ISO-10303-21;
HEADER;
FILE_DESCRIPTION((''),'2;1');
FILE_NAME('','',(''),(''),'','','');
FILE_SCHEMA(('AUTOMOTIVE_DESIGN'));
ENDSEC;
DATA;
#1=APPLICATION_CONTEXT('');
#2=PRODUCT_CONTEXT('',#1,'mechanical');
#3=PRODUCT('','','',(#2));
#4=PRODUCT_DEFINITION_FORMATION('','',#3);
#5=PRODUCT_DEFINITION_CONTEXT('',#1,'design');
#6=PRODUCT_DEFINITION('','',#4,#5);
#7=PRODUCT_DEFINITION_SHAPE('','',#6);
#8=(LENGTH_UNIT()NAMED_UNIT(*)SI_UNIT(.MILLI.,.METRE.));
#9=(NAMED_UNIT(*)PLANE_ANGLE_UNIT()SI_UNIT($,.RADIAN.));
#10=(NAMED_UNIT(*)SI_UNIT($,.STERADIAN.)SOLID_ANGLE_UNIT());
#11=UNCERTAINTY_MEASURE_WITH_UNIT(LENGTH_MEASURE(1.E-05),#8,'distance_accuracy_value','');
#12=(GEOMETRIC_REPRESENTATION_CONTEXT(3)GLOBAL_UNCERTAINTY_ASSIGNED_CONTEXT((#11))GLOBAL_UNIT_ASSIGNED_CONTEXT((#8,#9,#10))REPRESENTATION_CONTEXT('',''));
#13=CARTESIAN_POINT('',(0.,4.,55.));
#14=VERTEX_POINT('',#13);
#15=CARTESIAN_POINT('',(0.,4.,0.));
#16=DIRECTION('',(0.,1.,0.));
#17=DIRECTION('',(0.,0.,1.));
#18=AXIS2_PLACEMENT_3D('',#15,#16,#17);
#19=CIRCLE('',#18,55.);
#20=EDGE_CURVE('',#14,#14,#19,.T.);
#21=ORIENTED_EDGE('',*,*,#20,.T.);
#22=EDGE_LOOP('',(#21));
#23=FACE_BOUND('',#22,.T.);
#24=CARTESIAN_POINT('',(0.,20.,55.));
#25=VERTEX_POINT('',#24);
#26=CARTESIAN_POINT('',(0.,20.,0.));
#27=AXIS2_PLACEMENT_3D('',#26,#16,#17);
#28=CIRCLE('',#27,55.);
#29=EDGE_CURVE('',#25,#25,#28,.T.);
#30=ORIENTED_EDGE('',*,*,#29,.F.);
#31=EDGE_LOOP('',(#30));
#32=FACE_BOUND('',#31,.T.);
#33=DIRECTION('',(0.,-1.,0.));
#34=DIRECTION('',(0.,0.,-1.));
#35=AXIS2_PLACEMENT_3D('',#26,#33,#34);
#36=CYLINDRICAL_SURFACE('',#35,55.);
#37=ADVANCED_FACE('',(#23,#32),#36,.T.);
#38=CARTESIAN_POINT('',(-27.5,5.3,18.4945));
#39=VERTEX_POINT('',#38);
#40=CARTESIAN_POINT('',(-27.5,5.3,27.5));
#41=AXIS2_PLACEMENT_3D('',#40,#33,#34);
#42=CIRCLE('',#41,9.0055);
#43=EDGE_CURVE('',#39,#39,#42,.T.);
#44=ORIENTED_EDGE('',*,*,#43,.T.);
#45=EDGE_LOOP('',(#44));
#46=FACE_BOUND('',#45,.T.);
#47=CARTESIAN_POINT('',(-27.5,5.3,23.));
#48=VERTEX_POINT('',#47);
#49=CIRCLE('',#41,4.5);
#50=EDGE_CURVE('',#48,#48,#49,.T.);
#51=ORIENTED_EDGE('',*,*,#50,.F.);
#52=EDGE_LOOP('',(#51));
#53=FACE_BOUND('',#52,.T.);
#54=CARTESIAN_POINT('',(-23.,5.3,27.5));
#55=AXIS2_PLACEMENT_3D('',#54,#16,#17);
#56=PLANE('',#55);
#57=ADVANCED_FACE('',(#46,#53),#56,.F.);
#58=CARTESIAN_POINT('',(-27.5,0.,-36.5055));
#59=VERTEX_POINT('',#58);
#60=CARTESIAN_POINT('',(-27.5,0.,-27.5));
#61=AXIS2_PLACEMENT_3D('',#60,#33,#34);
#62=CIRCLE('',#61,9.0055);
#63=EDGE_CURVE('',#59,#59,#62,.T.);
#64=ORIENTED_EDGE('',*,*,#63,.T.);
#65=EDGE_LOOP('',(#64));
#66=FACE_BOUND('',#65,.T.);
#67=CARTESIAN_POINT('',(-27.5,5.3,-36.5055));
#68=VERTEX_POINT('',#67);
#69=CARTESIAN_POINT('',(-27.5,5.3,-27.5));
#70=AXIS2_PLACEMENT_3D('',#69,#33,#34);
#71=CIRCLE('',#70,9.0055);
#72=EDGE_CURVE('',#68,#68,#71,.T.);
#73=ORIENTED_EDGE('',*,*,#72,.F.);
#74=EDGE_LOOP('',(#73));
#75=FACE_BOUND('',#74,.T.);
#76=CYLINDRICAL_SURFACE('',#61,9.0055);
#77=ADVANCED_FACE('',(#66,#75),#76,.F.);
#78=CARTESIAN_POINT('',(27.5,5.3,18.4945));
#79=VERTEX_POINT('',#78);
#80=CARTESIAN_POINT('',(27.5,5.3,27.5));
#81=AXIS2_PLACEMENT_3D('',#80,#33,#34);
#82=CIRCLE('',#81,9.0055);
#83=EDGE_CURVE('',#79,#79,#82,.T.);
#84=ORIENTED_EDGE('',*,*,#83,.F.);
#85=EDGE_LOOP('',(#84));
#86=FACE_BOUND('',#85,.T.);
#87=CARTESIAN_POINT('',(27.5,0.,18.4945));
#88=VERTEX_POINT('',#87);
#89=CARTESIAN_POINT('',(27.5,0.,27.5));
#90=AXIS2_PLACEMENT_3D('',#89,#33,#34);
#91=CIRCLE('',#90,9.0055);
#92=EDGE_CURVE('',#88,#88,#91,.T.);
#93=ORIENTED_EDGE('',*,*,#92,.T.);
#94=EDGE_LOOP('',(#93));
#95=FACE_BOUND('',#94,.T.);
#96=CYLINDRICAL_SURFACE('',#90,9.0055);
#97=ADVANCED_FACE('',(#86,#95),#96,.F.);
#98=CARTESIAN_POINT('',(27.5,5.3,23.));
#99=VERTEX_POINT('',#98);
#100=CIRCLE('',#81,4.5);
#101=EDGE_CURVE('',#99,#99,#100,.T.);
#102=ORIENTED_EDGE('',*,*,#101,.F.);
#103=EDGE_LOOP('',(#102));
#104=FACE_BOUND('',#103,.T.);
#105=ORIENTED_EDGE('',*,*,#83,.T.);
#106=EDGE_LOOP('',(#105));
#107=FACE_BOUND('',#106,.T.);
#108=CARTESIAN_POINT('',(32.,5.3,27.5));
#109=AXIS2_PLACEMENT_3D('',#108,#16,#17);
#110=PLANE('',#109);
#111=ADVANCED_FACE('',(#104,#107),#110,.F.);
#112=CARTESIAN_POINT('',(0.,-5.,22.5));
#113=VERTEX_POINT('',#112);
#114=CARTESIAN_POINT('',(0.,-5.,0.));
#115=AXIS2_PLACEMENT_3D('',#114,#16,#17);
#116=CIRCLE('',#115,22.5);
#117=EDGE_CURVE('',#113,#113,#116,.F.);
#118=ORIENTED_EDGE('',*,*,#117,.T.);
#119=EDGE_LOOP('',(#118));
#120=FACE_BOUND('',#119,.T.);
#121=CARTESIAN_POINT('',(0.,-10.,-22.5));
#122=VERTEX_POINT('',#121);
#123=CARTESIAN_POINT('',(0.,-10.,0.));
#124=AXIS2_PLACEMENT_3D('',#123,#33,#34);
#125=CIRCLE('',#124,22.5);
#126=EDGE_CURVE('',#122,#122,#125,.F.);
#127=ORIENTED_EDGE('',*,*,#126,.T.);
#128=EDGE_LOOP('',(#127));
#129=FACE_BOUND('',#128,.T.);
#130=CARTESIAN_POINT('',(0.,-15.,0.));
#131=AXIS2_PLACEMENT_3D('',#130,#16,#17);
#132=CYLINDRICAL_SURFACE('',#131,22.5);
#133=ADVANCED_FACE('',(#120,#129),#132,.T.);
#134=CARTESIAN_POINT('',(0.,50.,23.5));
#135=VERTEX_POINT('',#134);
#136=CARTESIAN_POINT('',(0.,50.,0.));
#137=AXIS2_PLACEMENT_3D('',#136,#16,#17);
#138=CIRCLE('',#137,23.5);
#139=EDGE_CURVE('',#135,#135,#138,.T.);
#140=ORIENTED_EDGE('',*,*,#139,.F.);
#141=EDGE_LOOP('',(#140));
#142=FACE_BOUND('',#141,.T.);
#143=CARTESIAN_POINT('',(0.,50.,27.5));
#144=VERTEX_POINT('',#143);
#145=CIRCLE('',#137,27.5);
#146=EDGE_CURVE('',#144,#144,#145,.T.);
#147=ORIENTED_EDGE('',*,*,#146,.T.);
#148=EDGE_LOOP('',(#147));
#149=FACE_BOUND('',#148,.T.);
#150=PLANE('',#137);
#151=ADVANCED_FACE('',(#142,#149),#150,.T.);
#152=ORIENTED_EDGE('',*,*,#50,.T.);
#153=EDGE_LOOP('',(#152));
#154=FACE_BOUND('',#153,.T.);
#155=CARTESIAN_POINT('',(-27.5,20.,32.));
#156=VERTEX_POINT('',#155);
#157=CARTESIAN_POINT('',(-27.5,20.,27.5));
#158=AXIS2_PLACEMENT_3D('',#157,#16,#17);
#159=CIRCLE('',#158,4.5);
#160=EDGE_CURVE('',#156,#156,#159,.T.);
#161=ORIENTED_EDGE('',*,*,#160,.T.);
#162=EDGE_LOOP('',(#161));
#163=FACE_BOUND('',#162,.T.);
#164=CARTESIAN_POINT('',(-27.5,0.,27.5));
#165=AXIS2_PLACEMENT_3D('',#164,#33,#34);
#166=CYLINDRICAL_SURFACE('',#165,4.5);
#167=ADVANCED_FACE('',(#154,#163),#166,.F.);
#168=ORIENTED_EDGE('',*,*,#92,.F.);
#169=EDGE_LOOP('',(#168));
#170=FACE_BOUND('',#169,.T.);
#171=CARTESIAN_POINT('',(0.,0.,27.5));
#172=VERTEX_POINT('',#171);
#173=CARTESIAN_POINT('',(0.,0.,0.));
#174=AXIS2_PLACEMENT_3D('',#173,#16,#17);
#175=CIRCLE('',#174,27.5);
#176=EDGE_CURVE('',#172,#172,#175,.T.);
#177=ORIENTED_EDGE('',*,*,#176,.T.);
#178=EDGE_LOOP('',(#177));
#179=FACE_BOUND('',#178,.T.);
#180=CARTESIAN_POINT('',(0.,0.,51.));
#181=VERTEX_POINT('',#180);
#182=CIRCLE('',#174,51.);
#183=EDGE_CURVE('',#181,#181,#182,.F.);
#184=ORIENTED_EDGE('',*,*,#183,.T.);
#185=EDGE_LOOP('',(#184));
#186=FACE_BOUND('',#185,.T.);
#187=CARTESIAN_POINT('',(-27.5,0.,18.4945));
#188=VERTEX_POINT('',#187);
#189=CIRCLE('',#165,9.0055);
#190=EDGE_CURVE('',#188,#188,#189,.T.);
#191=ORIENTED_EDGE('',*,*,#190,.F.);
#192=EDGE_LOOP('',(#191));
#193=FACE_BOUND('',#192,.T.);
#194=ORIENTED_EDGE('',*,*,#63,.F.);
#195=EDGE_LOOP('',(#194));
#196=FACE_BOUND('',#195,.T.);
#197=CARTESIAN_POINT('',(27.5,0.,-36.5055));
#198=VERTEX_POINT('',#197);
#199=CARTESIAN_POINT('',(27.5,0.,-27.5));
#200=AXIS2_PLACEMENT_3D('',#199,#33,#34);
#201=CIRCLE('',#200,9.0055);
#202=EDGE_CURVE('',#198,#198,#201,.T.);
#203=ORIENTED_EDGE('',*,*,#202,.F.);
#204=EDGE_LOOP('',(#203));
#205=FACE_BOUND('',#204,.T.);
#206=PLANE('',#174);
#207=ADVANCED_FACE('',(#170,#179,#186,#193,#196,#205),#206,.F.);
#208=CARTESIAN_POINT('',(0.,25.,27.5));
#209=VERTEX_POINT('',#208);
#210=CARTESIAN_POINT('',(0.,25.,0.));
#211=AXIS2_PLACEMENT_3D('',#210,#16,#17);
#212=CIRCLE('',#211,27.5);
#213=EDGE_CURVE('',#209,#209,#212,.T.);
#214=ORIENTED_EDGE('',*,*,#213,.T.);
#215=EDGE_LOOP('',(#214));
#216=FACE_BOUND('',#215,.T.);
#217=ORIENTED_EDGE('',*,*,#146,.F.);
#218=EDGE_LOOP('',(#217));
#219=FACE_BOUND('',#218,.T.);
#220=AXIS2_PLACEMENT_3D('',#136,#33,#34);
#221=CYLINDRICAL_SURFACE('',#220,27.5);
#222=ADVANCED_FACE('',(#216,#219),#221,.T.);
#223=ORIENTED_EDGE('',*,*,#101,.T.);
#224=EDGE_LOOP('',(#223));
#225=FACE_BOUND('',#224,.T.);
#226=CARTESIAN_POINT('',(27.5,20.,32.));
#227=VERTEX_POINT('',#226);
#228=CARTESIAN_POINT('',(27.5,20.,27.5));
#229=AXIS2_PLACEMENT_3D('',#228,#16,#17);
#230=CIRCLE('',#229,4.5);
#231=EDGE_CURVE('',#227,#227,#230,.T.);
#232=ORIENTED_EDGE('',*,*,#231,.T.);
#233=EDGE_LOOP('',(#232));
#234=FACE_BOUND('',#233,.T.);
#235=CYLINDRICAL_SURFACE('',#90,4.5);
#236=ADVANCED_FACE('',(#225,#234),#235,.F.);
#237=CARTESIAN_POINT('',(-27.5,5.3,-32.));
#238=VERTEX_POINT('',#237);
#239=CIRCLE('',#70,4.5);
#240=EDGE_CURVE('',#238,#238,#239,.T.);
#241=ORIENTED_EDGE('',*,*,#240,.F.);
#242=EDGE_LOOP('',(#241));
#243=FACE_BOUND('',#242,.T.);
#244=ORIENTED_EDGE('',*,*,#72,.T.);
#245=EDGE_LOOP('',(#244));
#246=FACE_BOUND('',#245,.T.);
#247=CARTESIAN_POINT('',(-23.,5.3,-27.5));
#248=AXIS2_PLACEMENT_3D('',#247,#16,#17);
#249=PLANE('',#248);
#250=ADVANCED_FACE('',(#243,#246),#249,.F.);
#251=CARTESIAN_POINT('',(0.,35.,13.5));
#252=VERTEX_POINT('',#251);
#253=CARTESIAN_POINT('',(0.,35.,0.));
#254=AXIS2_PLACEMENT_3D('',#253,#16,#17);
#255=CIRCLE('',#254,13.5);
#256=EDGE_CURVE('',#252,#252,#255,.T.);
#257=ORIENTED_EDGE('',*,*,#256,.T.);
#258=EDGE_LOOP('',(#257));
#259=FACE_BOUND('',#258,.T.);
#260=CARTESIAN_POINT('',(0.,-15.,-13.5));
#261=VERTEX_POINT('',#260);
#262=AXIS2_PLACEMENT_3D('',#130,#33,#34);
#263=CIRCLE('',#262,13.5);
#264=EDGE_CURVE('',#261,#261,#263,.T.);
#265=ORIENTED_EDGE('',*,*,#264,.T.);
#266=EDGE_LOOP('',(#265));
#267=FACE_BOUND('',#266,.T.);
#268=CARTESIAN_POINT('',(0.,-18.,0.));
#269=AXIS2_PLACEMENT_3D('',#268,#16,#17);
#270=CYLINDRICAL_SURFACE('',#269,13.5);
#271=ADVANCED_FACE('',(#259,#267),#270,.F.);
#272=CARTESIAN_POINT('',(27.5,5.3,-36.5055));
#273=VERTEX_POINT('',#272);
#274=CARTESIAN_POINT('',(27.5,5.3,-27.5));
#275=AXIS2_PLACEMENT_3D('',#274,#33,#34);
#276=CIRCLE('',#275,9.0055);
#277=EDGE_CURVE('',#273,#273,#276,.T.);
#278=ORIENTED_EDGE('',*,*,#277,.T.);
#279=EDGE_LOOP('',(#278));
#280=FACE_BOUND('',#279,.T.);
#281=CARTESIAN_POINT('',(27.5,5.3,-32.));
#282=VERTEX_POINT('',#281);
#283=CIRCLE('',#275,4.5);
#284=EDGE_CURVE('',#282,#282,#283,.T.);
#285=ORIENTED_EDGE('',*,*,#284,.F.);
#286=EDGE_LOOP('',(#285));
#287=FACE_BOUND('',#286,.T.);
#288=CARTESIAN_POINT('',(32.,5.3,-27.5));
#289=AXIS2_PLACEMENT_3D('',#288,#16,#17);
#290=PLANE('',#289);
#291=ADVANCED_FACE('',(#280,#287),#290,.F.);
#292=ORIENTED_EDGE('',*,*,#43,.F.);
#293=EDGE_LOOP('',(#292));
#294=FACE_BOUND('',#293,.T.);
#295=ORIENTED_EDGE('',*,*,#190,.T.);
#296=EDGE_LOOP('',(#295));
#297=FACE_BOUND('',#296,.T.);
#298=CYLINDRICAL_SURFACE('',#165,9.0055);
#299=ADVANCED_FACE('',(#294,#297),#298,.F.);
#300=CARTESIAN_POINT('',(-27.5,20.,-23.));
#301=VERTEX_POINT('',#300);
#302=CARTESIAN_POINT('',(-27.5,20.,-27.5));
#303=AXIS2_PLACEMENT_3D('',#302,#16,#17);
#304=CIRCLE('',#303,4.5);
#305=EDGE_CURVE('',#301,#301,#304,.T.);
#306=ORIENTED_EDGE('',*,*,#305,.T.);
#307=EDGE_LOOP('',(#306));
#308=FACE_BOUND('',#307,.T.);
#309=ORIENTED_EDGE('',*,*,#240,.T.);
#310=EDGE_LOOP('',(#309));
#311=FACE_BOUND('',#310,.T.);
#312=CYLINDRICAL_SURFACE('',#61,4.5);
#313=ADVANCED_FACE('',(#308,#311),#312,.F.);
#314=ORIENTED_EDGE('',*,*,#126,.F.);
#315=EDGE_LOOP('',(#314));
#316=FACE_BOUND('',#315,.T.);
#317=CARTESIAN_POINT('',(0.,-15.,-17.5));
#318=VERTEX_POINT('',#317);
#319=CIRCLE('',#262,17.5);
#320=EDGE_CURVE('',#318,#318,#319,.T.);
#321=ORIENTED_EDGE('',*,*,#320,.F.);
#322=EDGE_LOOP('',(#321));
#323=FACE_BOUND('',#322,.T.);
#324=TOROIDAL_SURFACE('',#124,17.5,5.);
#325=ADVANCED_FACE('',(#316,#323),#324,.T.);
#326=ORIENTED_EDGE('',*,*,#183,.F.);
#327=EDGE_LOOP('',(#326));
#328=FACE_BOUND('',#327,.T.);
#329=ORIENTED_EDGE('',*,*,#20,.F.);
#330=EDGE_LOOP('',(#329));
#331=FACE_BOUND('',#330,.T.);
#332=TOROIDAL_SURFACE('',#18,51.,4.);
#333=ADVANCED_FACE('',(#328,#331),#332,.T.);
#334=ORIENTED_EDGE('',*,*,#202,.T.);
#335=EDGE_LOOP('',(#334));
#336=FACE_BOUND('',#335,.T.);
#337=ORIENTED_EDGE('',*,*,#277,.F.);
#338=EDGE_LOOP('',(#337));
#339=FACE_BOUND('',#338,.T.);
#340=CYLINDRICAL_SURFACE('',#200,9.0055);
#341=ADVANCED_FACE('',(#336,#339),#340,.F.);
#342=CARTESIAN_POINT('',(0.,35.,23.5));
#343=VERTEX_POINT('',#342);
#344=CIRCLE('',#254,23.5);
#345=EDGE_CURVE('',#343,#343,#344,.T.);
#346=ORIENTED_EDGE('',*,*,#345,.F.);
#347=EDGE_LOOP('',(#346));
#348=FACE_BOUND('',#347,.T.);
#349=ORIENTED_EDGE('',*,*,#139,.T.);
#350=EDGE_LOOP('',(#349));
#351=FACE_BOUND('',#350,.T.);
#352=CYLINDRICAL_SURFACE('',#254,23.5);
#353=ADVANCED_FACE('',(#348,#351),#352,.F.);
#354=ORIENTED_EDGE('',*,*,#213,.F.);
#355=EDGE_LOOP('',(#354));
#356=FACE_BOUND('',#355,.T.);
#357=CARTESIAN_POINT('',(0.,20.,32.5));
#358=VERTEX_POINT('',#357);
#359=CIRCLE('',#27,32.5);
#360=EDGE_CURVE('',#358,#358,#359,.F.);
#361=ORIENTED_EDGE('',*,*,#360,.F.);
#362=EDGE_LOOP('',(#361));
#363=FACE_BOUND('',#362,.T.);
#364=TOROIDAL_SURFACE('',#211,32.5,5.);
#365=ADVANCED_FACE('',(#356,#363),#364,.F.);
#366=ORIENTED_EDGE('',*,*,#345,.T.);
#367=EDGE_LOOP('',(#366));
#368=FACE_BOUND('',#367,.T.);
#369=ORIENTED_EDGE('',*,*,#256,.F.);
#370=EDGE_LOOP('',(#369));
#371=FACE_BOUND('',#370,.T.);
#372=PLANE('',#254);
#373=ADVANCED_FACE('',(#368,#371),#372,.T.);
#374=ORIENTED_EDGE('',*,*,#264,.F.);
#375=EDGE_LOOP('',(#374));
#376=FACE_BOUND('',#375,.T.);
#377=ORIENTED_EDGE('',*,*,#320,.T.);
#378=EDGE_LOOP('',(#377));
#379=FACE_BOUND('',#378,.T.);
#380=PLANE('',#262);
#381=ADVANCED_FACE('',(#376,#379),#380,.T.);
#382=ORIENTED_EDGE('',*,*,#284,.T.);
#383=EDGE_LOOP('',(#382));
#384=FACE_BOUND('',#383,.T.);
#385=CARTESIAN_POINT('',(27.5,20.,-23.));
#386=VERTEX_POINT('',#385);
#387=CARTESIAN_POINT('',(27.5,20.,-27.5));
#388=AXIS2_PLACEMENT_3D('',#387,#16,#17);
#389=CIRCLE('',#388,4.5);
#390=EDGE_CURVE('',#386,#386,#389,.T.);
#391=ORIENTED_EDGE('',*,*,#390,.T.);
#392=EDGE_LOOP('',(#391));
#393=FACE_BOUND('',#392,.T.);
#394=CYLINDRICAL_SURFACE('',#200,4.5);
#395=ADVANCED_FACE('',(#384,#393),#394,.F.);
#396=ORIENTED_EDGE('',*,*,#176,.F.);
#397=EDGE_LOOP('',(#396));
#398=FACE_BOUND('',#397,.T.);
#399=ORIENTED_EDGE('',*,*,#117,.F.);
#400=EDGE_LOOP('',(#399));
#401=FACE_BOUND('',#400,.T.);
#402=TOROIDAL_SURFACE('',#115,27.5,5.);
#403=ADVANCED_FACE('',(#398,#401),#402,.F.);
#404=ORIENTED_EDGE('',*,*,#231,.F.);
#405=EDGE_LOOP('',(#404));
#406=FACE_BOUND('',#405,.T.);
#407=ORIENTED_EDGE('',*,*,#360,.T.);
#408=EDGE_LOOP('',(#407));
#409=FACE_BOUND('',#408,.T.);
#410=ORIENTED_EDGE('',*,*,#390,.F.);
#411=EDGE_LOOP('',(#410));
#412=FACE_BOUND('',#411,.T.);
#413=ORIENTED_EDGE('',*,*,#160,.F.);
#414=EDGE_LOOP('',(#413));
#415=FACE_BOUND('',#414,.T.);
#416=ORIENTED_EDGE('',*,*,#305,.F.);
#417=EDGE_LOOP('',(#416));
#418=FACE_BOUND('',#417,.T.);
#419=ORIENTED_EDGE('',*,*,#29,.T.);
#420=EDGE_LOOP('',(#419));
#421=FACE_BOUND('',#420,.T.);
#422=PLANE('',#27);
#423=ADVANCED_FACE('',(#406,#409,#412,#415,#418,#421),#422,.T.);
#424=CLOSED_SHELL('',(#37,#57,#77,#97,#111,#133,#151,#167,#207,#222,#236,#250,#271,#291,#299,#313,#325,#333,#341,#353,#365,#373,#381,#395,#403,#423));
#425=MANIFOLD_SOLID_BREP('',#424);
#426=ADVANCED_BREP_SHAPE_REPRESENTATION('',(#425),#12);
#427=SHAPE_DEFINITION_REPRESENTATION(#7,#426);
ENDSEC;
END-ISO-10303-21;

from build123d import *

# Parameters (mm, degrees)
SKETCH1_R                               = 55
BOSS_EXTRUDE1_DEPTH                     = 20
SKETCH2_R                               = 27.5
BOSS_EXTRUDE2_DEPTH                     = 30
SKETCH6_R                               = 23.5
CUT_EXTRUDE1_DEPTH                      = 15
FILLET1_R                               = 5
CBORE_FOR_M8_HEX_HEAD_BOLT1_D           = 9
CBORE_FOR_M8_HEX_HEAD_BOLT1_CBORE_D     = 18.011
CBORE_FOR_M8_HEX_HEAD_BOLT1_CBORE_DEPTH = 5.3
FILLET2_R                               = 4
SKETCH10_R                              = 13.5
CUT_EXTRUDE2_DEPTH                      = 53
SKETCH11_R                              = 22.5
SKETCH11_R_2                            = 13.5
BOSS_EXTRUDE3_DEPTH                     = 15
FILLET3_R                               = 5


with BuildPart() as part:
    # Sketch1 → Boss-Extrude1 (new body)
    with BuildSketch(Plane(origin=(0, 0, 0), x_dir=(1, 0, 0), z_dir=(0, 1, 0))):
        with Locations(Location((0, 0, 0), (0, 0, 270))):
            Circle(SKETCH1_R)
    extrude(amount=BOSS_EXTRUDE1_DEPTH)

    # Sketch2 → Boss-Extrude2 (add)
    with BuildSketch(Plane(origin=(0, 20, 0), x_dir=(1, 0, 0), z_dir=(0, 1, 0))):
        with Locations(Location((0, 0, 0), (0, 0, 270))):
            Circle(SKETCH2_R)
    extrude(amount=BOSS_EXTRUDE2_DEPTH)

    # Sketch6 → Cut-Extrude1 (cut)
    with BuildSketch(Plane(origin=(0, 50, 0), x_dir=(1, 0, 0), z_dir=(0, 1, 0))):
        with Locations(Location((0, 0, 0), (0, 0, 270))):
            Circle(SKETCH6_R)
    extrude(amount=-CUT_EXTRUDE1_DEPTH, mode=Mode.SUBTRACT)

    # Fillet1
    fillet1_edges = [part.edges().sort_by_distance(p)[0] for p in [
        (0, 20, -27.5),
    ]]
    fillet(fillet1_edges, radius=FILLET1_R)

    # CBORE for M8 Hex Head Bolt1 (through all)
    with Locations(Plane(origin=(-27.5, 0, 27.5), x_dir=(0, 0, -1), z_dir=(0, -1, 0))):
        with Locations((0, 0), (0, 55), (55, 55), (55, 0)):
            CounterBoreHole(CBORE_FOR_M8_HEX_HEAD_BOLT1_D / 2, CBORE_FOR_M8_HEX_HEAD_BOLT1_CBORE_D / 2, CBORE_FOR_M8_HEX_HEAD_BOLT1_CBORE_DEPTH)

    # Fillet2
    fillet2_edges = [part.edges().sort_by_distance(p)[0] for p in [
        (0, 0, -55),
    ]]
    fillet(fillet2_edges, radius=FILLET2_R)

    # Sketch10 → Cut-Extrude2 (cut)
    with BuildSketch(Plane(origin=(0, 35, 0), x_dir=(1, 0, 0), z_dir=(0, 1, 0))):
        with Locations(Location((0, 0, 0), (0, 0, 270))):
            Circle(SKETCH10_R)
    extrude(amount=-CUT_EXTRUDE2_DEPTH, mode=Mode.SUBTRACT)

    # Sketch11 → Boss-Extrude3 (add)
    with BuildSketch(Plane.XZ):
        with Locations(Location((0, 0, 0), (0, 0, 90))):
            Circle(SKETCH11_R)
        with Locations(Location((0, 0, 0), (0, 0, 90))):
            Circle(SKETCH11_R_2, mode=Mode.SUBTRACT)
    extrude(amount=BOSS_EXTRUDE3_DEPTH)

    # Fillet3
    fillet3_edges = [part.edges().sort_by_distance(p)[0] for p in [
        (0, 0, -22.5),
        (0, -15, -22.5),
    ]]
    fillet(fillet3_edges, radius=FILLET3_R)


solid = part.part
